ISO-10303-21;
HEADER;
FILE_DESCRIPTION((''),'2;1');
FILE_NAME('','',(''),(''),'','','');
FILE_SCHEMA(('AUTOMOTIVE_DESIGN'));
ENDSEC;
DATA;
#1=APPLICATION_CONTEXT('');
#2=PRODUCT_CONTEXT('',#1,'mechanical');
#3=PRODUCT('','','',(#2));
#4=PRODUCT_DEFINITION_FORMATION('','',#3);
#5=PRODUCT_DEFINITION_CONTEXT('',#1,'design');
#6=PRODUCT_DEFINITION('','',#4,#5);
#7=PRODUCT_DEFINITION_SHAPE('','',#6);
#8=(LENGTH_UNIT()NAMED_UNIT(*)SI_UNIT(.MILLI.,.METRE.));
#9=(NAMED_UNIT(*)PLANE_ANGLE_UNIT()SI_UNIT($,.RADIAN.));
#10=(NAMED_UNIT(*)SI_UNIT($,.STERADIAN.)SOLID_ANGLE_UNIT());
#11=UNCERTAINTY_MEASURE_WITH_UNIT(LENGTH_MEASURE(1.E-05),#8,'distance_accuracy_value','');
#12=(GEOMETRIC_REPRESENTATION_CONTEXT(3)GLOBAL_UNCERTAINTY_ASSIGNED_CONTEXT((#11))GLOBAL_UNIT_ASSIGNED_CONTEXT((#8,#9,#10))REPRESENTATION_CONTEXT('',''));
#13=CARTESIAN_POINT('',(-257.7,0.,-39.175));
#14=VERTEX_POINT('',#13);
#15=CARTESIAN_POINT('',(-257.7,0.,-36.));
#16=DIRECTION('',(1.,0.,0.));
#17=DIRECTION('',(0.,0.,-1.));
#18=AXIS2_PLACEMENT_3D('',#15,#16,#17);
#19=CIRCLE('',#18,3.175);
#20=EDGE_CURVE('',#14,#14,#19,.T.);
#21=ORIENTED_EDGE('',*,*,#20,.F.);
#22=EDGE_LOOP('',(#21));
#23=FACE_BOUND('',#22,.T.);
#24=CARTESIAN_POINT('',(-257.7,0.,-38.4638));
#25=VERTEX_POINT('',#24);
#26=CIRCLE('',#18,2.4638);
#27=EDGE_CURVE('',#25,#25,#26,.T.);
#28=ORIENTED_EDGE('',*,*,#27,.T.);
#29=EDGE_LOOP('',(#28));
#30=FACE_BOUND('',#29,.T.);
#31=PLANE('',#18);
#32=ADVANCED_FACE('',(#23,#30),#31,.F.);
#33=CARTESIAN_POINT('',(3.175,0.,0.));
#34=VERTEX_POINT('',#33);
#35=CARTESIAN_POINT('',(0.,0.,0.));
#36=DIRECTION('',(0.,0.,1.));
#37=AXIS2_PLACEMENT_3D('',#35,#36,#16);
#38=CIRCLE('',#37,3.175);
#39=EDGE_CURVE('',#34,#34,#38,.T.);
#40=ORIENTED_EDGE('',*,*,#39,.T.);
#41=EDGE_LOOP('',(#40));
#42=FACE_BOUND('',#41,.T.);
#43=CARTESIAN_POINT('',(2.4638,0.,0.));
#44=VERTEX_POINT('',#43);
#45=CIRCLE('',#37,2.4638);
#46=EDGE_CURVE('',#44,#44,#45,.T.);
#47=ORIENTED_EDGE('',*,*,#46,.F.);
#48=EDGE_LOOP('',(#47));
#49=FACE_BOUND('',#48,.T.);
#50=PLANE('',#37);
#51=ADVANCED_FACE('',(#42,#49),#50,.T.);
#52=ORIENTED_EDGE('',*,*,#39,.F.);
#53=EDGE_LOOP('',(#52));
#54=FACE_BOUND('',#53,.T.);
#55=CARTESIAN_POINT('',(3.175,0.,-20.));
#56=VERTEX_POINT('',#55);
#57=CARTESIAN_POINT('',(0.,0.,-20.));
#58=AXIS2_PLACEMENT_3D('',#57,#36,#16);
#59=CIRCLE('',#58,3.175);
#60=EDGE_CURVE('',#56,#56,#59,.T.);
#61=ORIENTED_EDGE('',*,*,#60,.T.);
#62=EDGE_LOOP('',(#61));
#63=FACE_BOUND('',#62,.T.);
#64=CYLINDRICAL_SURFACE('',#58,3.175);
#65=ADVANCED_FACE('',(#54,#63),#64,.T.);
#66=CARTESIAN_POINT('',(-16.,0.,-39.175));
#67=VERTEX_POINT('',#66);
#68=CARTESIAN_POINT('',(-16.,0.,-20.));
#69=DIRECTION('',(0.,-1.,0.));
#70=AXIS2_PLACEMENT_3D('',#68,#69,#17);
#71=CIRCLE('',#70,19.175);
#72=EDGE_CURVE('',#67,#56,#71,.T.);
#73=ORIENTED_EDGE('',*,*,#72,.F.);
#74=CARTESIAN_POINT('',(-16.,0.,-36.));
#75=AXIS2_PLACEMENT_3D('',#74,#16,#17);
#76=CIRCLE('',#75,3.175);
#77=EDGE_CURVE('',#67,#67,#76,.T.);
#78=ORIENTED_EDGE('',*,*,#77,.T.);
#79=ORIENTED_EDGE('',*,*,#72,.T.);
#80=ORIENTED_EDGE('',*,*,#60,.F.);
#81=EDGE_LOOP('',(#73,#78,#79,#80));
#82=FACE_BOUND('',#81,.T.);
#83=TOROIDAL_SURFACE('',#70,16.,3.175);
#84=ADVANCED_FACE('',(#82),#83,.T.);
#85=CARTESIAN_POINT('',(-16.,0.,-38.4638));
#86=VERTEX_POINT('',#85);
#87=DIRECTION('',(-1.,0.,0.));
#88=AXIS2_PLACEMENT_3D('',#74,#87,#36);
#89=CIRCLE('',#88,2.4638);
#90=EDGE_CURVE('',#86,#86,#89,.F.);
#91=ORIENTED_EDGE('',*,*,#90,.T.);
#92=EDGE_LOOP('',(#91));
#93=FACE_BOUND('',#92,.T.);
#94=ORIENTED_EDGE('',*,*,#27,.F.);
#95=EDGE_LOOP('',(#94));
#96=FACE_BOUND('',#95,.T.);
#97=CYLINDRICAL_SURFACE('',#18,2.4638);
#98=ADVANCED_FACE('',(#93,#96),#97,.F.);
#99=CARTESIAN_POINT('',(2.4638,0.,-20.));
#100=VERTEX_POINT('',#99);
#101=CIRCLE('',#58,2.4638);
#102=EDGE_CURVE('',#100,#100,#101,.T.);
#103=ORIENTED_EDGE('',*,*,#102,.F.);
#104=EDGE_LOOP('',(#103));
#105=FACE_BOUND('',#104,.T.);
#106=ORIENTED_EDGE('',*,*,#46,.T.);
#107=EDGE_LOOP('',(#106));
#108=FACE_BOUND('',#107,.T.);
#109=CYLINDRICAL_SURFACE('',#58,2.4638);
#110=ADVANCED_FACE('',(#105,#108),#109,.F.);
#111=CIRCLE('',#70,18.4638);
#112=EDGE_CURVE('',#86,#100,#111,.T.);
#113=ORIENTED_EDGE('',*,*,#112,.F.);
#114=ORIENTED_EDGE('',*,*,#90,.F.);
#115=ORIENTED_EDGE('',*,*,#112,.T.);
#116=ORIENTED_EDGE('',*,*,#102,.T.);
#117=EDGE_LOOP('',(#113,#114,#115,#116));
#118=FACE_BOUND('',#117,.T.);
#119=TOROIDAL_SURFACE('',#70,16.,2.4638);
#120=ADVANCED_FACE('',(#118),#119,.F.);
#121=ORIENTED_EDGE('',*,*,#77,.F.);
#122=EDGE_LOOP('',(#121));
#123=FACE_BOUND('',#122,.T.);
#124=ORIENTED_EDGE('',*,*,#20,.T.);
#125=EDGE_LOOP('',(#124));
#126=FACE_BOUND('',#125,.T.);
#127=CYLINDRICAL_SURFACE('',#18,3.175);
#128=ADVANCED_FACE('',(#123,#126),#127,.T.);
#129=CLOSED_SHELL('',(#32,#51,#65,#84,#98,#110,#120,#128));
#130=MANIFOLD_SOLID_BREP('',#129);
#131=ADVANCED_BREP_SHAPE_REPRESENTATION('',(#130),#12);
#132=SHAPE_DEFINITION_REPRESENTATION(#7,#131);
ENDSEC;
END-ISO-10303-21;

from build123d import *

# Parameters (mm, degrees)
SKETCH2_R   = 3.175
SKETCH2_R_2 = 2.4638


with BuildPart() as part:
    # Sweep-Thin1: sweep along a path in Sketch1
    with BuildLine(Plane(origin=(0, 0, 0), x_dir=(1, 0, 0), z_dir=(0, 1, 0))) as sweep_thin1_path:
        Line((-257.7, 36), (-16, 36))
        ThreePointArc((-16, 36), (-4.686291501, 31.313708499), (0, 20))
        Line((0, 20), (0, 0))
    # Sketch2 → Sweep-Thin1 (sweep)
    with BuildSketch(Plane.XY):
        Circle(SKETCH2_R)
        Circle(SKETCH2_R_2, mode=Mode.SUBTRACT)
    sweep(path=sweep_thin1_path.line)


solid = part.part
